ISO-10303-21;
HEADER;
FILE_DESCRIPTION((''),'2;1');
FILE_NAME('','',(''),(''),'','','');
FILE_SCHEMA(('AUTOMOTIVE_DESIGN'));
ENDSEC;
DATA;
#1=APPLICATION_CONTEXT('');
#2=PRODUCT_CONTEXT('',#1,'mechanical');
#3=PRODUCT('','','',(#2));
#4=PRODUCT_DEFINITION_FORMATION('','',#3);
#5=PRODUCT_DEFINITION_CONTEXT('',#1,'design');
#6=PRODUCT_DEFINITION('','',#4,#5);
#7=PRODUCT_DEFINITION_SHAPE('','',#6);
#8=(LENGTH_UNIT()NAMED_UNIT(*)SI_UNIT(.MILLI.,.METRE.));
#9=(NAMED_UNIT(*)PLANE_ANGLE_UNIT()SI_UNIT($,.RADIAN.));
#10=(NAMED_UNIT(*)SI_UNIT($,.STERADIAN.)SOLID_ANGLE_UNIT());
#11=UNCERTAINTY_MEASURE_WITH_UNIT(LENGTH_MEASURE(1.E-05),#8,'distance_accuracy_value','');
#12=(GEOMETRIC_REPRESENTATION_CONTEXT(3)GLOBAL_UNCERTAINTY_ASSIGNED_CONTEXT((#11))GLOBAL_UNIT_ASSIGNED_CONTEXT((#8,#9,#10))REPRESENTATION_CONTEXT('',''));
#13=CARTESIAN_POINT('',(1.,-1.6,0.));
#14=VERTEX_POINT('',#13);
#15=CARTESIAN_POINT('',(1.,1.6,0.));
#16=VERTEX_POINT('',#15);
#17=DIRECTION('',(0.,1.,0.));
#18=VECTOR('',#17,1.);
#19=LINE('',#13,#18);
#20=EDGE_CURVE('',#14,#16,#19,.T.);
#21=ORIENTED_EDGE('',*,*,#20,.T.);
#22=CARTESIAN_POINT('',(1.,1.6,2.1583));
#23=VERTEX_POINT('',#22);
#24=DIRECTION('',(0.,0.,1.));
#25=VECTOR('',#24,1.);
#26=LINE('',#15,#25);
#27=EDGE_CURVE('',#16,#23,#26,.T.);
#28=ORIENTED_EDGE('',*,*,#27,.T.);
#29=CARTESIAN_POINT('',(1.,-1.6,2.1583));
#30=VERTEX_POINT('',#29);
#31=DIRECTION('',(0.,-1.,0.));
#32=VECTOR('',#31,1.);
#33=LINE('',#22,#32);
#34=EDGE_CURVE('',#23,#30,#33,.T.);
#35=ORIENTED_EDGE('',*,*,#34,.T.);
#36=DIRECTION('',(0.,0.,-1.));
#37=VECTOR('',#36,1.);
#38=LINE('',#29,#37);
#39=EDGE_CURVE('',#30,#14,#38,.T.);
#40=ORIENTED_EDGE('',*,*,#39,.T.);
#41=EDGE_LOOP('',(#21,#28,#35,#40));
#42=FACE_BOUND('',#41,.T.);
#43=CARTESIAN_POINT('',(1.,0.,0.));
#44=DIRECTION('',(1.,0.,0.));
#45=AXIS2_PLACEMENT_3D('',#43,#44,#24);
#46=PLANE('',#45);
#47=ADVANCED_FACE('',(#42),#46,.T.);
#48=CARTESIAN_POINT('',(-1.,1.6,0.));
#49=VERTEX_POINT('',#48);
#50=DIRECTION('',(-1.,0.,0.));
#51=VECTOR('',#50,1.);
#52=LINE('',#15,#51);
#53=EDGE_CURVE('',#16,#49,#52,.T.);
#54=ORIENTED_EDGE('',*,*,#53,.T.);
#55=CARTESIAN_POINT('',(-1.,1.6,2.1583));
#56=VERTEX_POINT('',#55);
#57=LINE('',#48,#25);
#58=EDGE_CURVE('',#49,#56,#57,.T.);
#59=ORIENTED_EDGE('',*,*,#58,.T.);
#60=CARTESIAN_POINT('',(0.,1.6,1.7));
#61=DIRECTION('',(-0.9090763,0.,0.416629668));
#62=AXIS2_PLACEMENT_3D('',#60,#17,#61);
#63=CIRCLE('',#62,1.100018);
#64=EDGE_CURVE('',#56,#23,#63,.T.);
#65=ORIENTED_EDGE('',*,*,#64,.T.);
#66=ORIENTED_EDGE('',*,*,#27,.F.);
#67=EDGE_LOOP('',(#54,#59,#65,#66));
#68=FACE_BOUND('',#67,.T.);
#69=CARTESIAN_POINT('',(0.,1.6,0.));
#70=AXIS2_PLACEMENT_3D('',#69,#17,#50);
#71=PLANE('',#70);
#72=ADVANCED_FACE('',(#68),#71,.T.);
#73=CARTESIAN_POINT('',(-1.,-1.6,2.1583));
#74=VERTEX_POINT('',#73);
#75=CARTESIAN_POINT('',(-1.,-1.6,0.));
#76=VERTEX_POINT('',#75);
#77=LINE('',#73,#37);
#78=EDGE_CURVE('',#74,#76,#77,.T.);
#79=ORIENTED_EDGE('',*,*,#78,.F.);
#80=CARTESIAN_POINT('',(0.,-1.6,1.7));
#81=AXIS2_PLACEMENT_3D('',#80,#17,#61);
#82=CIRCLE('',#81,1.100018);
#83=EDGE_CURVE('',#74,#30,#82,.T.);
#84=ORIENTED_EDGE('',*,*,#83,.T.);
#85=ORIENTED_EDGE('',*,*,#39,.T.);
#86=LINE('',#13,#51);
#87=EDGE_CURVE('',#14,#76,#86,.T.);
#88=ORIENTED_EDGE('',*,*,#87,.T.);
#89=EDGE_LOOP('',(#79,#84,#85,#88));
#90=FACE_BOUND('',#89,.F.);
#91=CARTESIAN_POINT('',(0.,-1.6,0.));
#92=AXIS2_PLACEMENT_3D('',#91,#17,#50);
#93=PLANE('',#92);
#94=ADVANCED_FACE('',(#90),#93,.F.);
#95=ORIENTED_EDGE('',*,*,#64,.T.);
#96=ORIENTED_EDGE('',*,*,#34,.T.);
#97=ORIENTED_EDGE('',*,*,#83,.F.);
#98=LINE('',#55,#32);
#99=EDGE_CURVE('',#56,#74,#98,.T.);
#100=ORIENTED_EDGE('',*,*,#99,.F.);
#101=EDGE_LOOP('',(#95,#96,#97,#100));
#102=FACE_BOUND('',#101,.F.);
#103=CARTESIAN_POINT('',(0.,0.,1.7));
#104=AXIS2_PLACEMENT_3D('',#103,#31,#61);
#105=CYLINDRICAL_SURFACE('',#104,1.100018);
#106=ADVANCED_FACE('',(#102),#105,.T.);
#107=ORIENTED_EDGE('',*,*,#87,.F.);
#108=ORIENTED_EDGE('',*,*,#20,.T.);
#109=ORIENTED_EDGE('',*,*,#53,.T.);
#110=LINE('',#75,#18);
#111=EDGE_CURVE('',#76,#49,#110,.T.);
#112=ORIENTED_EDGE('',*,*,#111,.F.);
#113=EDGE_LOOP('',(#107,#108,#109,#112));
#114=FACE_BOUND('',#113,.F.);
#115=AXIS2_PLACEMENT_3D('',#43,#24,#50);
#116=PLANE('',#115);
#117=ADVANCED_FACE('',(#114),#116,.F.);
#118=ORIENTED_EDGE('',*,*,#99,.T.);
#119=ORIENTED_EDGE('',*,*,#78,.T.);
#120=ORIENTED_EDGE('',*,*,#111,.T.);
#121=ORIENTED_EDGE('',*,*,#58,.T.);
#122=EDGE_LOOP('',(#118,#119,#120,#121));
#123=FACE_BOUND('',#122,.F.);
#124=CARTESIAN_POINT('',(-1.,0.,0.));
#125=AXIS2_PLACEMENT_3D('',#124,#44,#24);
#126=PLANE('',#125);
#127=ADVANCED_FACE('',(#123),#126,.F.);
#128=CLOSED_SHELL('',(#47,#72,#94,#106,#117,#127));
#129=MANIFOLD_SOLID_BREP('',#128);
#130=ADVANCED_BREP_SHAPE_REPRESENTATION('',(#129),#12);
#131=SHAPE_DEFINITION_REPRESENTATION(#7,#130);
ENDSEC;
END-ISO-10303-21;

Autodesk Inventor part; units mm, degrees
ref_plane "YZ Plane" through (0, 0, 0) normal (1, 0, 0) x (0, 1, 0)
ref_plane "XZ Plane" through (0, 0, 0) normal (0, 1, 0) x (-1, 0, 0)
ref_plane "XY Plane" through (0, 0, 0) normal (0, 0, 1) x (1, 0, 0)
sketch "Sketch1" plane through (0, 0, 0) normal (0, 1, 0) x (-1, 0, 0)
  line L0 (-1, 0) -> (1, 0)
  line L1 (1, 0) -> (1, 2.1583)
  line L2 (-1, 0) -> (-1, 2.1583)
  arc A0 (1, 2.1583) -> (-1, 2.1583) centre (0, 1.7) ccw
  line L3 (3.4698, 1.8) -> (-2.375, 1.8) projected
  point P0 (0, 0)
  point P1 (0, 0)
  dimension "d0" = 2
  dimension "d2" = 2.8
  dimension "d6" = 1.1
extrude "Extrusion1" add sketch "Sketch1" along normal mid plane 3.2
properties material "ABS Plastic"
